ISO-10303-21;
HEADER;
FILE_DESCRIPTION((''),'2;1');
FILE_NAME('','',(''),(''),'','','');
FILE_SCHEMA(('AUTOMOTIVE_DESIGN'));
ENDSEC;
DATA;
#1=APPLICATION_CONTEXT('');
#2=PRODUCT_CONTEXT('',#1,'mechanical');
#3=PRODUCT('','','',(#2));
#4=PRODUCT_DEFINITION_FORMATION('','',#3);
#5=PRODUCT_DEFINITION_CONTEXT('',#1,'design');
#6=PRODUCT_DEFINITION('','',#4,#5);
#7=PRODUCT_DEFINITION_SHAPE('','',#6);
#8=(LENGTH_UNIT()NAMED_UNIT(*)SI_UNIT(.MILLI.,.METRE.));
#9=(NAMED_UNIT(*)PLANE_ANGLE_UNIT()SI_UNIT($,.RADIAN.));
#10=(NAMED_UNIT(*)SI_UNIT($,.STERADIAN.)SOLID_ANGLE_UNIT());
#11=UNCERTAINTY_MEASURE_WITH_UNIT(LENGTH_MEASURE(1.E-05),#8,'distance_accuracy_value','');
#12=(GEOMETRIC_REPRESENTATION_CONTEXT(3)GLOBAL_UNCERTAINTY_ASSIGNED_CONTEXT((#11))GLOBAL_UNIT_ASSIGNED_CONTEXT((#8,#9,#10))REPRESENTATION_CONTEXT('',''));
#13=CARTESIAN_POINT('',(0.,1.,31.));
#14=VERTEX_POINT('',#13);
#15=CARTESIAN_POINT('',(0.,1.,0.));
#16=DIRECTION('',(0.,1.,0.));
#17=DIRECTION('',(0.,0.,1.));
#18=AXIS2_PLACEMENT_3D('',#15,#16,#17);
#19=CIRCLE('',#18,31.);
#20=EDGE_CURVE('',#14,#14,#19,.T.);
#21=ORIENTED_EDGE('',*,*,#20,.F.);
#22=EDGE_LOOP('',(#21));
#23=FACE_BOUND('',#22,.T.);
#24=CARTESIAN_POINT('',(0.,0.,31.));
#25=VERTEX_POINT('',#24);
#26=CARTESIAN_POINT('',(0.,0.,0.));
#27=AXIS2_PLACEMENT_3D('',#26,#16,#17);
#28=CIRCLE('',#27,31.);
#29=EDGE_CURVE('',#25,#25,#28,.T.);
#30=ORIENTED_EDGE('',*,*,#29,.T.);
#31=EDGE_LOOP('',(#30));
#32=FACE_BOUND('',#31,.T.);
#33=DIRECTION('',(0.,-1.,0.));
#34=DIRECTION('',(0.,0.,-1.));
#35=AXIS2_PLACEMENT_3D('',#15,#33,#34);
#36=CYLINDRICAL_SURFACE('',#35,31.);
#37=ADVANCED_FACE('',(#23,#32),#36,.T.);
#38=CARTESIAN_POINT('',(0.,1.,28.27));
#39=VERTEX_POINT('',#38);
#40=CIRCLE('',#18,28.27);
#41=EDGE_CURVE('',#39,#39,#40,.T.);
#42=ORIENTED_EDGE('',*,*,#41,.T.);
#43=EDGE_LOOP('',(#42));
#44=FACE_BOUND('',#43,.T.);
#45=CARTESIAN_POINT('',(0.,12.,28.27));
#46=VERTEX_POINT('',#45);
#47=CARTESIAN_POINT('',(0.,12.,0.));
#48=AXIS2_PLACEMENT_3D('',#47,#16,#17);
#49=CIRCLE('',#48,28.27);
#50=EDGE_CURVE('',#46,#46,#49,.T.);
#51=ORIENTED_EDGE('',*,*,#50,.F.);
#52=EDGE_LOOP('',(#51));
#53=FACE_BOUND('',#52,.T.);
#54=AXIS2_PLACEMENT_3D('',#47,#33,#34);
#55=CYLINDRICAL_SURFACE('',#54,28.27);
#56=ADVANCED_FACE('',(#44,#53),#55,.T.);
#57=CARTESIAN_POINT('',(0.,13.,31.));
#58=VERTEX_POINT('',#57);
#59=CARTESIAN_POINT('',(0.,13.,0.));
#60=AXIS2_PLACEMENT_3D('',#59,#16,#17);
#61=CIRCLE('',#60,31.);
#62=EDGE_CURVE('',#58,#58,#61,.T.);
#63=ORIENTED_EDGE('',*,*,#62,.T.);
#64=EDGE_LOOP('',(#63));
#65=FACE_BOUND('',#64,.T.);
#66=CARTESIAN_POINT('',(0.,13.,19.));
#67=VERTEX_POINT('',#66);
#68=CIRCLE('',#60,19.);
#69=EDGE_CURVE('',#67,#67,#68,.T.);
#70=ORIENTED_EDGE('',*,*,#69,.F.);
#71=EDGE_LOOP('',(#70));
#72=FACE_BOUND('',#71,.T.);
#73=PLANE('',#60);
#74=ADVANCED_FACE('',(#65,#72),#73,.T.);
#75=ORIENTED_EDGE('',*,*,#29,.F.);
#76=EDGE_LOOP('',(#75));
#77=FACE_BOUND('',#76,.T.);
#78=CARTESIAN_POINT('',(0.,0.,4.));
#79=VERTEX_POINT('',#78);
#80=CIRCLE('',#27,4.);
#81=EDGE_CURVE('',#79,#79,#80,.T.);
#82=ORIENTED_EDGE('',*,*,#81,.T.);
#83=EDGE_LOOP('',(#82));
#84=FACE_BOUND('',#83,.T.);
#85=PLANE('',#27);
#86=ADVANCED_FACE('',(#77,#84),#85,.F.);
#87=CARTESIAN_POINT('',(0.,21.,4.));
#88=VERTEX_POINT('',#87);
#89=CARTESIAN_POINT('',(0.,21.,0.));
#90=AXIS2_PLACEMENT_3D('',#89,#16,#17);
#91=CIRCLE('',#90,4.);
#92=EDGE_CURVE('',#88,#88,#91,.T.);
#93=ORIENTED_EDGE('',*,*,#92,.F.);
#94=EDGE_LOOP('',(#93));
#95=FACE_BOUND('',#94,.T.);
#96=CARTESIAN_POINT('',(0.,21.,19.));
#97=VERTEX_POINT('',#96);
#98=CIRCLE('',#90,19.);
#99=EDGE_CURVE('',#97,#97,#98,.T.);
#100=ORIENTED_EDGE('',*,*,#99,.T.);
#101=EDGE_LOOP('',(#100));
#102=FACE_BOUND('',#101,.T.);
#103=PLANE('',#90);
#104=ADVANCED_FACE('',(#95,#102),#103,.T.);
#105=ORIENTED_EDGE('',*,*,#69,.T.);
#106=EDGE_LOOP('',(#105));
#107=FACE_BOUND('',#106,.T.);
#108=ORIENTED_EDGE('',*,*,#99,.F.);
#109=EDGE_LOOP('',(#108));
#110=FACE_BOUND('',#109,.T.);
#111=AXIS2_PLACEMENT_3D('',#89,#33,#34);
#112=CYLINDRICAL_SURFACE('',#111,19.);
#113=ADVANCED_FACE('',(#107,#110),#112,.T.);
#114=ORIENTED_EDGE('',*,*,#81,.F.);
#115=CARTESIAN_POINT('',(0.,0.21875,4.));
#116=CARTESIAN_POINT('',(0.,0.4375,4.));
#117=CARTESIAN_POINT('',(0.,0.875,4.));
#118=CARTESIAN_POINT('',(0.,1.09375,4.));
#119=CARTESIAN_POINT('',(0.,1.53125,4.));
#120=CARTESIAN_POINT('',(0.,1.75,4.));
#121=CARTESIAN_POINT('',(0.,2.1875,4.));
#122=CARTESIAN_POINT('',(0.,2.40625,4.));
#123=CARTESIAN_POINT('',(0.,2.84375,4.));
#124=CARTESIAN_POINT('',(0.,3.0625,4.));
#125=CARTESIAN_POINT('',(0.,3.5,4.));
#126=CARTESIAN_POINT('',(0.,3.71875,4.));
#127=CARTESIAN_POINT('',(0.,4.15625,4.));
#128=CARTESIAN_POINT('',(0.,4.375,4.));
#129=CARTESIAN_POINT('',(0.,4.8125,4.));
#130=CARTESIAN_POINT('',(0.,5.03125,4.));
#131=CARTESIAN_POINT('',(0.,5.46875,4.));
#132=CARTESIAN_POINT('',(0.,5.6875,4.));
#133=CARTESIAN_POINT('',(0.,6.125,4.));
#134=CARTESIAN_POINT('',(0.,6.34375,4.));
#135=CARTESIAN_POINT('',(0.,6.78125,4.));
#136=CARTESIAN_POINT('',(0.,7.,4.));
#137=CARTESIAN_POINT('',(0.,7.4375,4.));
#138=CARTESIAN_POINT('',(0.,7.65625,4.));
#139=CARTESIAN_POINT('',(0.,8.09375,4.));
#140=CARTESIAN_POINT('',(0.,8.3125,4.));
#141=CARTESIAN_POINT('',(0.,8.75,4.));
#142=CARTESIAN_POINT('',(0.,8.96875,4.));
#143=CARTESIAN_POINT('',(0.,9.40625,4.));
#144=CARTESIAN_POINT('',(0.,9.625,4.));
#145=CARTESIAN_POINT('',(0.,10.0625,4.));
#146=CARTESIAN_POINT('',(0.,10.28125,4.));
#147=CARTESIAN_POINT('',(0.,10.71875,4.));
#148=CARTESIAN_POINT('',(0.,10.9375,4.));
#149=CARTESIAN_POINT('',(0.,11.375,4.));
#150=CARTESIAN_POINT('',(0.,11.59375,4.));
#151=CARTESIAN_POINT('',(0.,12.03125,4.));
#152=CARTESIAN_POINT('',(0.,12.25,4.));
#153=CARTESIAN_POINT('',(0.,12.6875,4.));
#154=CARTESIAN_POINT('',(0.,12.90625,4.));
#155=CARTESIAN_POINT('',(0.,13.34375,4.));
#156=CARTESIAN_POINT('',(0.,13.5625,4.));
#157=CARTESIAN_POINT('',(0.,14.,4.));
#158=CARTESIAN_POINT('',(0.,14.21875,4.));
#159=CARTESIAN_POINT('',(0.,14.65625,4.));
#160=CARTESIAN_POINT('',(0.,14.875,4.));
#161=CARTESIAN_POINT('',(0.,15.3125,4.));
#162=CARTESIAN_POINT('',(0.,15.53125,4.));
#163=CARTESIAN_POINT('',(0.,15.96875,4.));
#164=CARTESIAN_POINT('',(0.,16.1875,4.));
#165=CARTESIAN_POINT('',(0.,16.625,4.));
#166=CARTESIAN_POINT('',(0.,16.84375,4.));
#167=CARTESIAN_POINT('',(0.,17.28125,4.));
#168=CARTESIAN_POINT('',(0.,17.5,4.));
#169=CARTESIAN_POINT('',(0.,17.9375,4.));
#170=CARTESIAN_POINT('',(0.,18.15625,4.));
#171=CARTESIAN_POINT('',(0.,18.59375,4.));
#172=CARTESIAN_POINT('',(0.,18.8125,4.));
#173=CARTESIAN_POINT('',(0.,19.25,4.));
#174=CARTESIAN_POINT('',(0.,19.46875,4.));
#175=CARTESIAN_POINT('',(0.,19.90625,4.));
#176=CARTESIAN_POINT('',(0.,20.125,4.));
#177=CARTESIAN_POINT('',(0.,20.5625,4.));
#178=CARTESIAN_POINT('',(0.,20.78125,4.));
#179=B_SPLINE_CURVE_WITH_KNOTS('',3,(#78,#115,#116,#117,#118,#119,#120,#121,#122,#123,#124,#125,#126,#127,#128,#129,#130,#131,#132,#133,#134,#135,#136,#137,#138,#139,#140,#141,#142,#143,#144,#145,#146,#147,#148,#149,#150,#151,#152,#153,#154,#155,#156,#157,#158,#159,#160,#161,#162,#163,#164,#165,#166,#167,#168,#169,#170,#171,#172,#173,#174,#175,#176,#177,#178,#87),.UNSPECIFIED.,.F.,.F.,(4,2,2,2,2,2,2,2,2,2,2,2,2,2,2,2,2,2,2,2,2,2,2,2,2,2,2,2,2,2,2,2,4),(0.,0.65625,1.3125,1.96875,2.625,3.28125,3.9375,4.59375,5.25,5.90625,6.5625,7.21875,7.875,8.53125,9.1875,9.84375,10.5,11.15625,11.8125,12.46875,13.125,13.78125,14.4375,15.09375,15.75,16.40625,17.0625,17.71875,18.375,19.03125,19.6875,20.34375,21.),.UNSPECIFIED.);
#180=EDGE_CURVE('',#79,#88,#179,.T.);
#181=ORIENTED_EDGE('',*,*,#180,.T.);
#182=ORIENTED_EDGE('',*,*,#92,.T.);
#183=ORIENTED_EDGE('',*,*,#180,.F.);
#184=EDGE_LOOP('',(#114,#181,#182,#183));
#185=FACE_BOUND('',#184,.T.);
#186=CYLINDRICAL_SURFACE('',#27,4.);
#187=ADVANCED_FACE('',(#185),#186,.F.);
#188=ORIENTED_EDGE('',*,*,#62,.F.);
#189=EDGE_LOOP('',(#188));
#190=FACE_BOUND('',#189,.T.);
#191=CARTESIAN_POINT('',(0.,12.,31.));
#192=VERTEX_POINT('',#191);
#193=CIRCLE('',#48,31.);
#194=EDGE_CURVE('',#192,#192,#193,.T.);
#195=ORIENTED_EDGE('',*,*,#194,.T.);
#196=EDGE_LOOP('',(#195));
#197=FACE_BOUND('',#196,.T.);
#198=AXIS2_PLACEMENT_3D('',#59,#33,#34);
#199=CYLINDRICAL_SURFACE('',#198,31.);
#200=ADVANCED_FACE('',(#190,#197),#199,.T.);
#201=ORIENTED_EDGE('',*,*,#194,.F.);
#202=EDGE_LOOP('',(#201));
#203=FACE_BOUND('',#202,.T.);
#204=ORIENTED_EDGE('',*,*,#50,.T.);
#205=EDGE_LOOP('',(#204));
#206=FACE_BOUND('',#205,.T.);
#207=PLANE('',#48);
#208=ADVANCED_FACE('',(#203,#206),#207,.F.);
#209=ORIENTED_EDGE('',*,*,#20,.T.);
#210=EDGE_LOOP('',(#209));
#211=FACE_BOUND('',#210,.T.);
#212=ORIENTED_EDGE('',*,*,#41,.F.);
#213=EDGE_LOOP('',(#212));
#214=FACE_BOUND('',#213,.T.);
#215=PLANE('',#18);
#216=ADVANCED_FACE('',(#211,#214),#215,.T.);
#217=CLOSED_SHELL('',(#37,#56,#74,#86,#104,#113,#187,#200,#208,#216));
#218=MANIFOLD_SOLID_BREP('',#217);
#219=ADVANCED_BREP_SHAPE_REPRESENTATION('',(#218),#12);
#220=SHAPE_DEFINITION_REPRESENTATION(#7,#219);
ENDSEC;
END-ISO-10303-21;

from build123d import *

# Parameters (mm, degrees)
SKETCH_1_R          = 31
EXTRUDE_1_DEPTH     = 1
SKETCH_2_R          = 28.27
EXTRUDE_2_DEPTH     = 11
SKETCH_3_R          = 31
EXTRUDE_3_DEPTH     = 1
SKETCH_4_R          = 19
EXTRUDE_4_DEPTH     = 8
SKETCH_5_R          = 4
CUT_EXTRUDE_1_DEPTH = 49.610698411


with BuildPart() as part:
    # Эскиз1 → Бобышка-Вытянуть1 (new body)
    with BuildSketch(Plane(origin=(0, 0, 0), x_dir=(1, 0, 0), z_dir=(0, 1, 0))):
        with Locations(Location((0, 0, 0), (0, 0, 270))):
            Circle(SKETCH_1_R)
    extrude(amount=EXTRUDE_1_DEPTH)

    # Эскиз2 → Бобышка-Вытянуть2 (add)
    with BuildSketch(Plane(origin=(0, 1, 0), x_dir=(1, 0, 0), z_dir=(0, 1, 0))):
        with Locations(Location((0, 0, 0), (0, 0, 270))):
            Circle(SKETCH_2_R)
    extrude(amount=EXTRUDE_2_DEPTH)

    # Эскиз3 → Бобышка-Вытянуть3 (add)
    with BuildSketch(Plane(origin=(0, 12, 0), x_dir=(1, 0, 0), z_dir=(0, 1, 0))):
        with Locations(Location((0, 0, 0), (0, 0, 270))):
            Circle(SKETCH_3_R)
    extrude(amount=EXTRUDE_3_DEPTH)

    # Эскиз4 → Бобышка-Вытянуть4 (add)
    with BuildSketch(Plane(origin=(0, 13, 0), x_dir=(1, 0, 0), z_dir=(0, 1, 0))):
        with Locations(Location((0, 0, 0), (0, 0, 270))):
            Circle(SKETCH_4_R)
    extrude(amount=EXTRUDE_4_DEPTH)

    # Эскиз5 → Вырез-Вытянуть1 (cut, through all)
    with BuildSketch(Plane(origin=(0, 21, 0), x_dir=(1, 0, 0), z_dir=(0, 1, 0))):
        with Locations(Location((0, 0, 0), (0, 0, 270))):
            Circle(SKETCH_5_R)
    extrude(amount=-CUT_EXTRUDE_1_DEPTH, mode=Mode.SUBTRACT)


solid = part.part
